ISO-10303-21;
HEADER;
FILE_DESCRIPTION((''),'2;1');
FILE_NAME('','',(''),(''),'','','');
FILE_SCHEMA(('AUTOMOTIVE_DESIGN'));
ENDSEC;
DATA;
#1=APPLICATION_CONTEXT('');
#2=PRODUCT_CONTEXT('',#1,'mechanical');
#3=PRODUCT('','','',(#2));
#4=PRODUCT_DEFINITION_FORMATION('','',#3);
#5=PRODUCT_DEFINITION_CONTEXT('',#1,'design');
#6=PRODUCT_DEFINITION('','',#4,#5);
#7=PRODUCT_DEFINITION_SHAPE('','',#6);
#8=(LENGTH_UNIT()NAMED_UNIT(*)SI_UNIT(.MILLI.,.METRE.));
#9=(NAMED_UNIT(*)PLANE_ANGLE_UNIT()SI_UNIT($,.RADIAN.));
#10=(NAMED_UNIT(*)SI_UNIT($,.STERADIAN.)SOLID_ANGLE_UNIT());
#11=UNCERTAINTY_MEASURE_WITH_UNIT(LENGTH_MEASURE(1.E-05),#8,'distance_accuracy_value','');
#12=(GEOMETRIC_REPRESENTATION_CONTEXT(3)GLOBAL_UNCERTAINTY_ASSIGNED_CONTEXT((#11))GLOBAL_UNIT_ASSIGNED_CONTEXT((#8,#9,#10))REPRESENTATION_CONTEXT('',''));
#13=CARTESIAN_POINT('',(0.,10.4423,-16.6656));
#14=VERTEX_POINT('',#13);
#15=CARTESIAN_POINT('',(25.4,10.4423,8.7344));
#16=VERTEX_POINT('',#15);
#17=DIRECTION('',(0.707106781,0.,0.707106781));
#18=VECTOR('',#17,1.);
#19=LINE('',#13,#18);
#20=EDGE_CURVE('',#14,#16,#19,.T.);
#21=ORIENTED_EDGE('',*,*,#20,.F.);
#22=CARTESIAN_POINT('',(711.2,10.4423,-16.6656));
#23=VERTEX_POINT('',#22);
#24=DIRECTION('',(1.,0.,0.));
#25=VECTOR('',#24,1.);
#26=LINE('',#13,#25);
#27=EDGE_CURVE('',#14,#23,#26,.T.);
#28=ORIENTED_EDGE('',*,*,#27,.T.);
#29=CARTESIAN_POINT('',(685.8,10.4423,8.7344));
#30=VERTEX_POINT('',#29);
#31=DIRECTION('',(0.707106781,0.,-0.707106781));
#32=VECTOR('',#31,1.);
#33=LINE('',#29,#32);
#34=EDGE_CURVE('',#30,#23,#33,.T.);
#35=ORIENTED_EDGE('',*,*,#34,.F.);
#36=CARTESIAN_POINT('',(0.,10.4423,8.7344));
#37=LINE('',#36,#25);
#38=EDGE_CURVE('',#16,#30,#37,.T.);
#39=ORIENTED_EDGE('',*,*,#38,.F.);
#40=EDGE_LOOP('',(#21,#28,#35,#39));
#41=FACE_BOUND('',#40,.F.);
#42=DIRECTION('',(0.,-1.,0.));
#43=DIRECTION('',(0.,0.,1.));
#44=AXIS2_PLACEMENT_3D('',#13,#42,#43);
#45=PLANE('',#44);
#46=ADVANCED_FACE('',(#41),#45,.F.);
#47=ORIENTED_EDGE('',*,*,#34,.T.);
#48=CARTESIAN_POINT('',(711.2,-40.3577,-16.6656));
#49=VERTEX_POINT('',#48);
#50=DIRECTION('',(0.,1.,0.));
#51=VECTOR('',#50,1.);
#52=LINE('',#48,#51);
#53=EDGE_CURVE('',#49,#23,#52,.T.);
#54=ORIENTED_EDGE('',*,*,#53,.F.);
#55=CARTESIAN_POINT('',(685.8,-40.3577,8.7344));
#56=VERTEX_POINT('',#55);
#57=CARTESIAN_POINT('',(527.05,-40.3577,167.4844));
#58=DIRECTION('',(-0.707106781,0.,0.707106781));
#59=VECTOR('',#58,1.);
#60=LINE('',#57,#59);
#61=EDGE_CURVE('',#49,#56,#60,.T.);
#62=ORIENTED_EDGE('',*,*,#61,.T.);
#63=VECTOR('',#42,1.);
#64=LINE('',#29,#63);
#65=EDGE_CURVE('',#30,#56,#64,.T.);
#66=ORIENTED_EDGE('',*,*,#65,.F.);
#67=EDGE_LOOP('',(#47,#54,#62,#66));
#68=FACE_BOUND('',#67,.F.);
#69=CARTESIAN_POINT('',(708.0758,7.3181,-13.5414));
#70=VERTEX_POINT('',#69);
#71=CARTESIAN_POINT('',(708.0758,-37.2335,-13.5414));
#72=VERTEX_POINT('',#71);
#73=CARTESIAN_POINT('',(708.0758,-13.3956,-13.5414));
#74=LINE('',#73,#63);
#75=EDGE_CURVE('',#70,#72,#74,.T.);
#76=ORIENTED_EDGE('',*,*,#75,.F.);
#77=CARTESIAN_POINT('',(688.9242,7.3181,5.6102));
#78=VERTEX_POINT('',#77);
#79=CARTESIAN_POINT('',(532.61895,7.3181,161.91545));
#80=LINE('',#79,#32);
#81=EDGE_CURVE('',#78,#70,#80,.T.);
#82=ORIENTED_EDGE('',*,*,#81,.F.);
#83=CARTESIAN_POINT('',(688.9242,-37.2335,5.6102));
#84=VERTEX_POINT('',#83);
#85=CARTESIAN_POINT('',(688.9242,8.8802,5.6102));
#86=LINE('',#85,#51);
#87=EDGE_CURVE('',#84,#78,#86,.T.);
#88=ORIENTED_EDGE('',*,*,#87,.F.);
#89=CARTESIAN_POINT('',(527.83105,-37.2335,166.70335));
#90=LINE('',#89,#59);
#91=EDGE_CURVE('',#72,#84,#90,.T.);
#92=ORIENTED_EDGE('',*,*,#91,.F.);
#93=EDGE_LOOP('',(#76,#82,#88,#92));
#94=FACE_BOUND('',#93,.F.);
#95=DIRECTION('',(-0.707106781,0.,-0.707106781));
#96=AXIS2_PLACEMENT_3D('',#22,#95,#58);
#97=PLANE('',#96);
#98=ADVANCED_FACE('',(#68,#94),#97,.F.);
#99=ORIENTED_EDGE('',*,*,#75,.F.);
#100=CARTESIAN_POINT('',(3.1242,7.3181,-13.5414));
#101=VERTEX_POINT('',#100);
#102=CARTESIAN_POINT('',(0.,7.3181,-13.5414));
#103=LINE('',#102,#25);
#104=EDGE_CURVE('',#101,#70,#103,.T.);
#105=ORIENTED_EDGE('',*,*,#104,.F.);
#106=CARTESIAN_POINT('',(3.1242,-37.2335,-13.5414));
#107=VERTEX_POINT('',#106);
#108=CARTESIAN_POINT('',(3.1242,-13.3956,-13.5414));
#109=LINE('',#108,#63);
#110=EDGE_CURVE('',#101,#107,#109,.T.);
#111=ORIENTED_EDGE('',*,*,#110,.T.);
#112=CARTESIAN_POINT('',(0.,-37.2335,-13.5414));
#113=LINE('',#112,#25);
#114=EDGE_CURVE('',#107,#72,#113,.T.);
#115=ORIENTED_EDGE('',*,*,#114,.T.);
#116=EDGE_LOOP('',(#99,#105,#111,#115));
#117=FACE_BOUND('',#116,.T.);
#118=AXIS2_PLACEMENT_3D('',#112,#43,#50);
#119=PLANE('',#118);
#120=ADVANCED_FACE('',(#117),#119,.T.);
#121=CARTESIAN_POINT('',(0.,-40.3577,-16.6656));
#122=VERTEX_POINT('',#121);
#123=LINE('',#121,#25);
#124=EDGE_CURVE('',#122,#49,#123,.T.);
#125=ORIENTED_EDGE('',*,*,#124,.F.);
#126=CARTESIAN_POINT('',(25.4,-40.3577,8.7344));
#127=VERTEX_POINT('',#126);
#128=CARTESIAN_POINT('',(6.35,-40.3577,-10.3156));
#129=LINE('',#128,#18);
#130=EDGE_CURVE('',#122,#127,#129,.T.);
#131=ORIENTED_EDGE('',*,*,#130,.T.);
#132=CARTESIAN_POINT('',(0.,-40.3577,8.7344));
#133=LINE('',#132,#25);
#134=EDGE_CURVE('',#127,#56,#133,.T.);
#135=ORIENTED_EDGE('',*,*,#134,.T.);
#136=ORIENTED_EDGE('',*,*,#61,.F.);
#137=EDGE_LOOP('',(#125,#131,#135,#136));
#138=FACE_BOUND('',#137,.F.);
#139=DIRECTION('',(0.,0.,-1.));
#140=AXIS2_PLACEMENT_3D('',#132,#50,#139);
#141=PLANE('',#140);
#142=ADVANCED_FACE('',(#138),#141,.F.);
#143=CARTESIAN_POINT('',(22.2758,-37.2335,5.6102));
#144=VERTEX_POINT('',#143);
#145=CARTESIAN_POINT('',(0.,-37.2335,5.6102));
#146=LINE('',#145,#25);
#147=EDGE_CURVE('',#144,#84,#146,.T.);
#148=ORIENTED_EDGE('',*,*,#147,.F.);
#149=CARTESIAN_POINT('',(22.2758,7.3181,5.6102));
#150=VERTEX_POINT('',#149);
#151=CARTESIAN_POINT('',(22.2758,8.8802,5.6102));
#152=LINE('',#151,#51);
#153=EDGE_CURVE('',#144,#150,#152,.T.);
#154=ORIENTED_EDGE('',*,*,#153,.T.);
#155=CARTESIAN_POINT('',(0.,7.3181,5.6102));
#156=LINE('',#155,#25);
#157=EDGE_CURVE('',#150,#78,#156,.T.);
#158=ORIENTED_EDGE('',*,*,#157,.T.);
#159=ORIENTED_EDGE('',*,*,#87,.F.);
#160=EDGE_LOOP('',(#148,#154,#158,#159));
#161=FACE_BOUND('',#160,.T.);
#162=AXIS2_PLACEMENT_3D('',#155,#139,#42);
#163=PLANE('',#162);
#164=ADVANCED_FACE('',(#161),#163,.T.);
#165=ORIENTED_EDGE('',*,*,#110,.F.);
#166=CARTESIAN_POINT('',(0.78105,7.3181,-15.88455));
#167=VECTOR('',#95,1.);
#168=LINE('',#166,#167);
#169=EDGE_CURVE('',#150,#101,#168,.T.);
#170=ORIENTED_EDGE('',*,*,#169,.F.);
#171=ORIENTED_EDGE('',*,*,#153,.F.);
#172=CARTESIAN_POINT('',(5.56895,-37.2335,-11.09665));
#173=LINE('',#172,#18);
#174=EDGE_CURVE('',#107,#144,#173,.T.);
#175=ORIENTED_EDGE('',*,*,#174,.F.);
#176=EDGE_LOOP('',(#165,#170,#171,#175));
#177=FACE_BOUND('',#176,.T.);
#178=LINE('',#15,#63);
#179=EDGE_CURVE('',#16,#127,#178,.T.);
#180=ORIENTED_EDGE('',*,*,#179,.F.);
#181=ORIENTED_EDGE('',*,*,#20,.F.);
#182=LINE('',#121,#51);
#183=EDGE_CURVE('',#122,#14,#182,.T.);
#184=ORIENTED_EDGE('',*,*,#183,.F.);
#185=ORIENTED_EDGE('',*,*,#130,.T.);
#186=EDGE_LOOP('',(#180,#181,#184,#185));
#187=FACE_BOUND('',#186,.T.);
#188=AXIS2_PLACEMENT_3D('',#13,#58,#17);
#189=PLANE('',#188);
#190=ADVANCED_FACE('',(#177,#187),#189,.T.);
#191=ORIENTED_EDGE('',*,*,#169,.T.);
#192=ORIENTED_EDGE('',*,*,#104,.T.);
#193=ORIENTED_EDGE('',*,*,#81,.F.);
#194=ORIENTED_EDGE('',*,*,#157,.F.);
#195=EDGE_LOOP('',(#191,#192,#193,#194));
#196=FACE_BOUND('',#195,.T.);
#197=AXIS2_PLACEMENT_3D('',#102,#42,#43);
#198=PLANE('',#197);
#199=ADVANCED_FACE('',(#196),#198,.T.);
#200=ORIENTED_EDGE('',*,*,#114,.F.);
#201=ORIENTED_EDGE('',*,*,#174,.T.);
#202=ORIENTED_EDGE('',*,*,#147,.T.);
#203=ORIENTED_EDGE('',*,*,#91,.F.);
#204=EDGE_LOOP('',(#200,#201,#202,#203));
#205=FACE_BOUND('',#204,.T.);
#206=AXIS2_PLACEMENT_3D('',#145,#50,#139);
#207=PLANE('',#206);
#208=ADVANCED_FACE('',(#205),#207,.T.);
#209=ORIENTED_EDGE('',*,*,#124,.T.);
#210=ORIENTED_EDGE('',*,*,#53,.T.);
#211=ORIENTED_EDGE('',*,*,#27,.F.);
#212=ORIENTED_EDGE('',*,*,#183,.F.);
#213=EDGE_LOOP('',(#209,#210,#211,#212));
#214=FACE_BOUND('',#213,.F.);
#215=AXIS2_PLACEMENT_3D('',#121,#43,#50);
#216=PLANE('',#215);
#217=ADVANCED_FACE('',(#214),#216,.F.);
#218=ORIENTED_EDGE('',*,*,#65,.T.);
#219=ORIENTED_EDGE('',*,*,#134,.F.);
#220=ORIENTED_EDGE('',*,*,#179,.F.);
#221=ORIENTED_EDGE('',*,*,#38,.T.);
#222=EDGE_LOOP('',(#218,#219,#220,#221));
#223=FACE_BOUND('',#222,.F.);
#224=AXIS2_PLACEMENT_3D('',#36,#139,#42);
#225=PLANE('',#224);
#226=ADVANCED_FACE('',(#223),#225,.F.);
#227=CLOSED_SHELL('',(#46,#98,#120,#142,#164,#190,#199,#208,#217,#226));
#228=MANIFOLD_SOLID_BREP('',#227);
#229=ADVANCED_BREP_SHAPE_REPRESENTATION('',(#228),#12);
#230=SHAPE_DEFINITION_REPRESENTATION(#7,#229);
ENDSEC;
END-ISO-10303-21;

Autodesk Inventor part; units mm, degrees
ref_plane "YZ Plane" through (0, 0, 0) normal (1, 0, 0) x (0, 1, 0)
ref_plane "XZ Plane" through (0, 0, 0) normal (0, 1, 0) x (-1, 0, 0)
ref_plane "XY Plane" through (0, 0, 0) normal (0, 0, 1) x (1, 0, 0)
sketch "Sketch1" plane through (0, 0, 0) normal (1, 0, 0) x (0, 1, 0)
  line L0 (10.4423, 8.7344) -> (-40.3577, 8.7344)
  line L1 (-40.3577, 8.7344) -> (-40.3577, -16.6656)
  line L2 (-40.3577, -16.6656) -> (10.4423, -16.6656)
  line L3 (10.4423, -16.6656) -> (10.4423, 8.7344)
  line L4 (7.3181, 5.6102) -> (-37.2335, 5.6102)
  line L5 (-37.2335, 5.6102) -> (-37.2335, -13.5414)
  line L6 (-37.2335, -13.5414) -> (7.3181, -13.5414)
  line L7 (7.3181, -13.5414) -> (7.3181, 5.6102)
  point P0 (0, 0)
  dimension "d0" = 50.8
  dimension "d1" = 25.4
  dimension "d2" = 3.1242
extrude "Extrusion1" add sketch "Sketch1" along normal blind 711.2
sketch "Sketch2" plane through (0, 10.4423, 8.7344) normal (0, 1, 0) x (1, 0, 0)
  line L0 (0, 25.4) -> (22.2758, 3.1242)
  line L1 (0, 3.1242) -> (711.2, 3.1242) projected
  line L2 (0, 25.4) -> (31.5027, 25.4) construction
  line L3 (22.2758, 3.1242) -> (38.5716, -13.1716)
  line L4 (0, 0) -> (711.2, 0) projected
  line L5 (25.4, 0) -> (0, 0)
  line L6 (0, 0) -> (0, 25.4)
  line L7 (711.2, 25.4) -> (678.2071, -7.5929)
  line L8 (711.2, 25.4) -> (757.859, 25.4) construction
  line L9 (685.8, 0) -> (711.2, 0)
  line L10 (711.2, 0) -> (711.2, 25.4)
  line L11 (711.2, 25.4) -> (711.2, 0) projected
  point P0 (0, 8.7344)
  dimension "d5" = 45
  dimension "d6" = 135
extrude "Extrusion2" cut sketch "Sketch2" against normal blind 711.2 contours L0 L1 L6 | L3 L4 L6 L1
extrude "Extrusion3" cut sketch "Sketch2" against normal blind 711.2 contours L7 L10 L1 | L1 L10 L4 L7
properties part number "28in 1x2"
